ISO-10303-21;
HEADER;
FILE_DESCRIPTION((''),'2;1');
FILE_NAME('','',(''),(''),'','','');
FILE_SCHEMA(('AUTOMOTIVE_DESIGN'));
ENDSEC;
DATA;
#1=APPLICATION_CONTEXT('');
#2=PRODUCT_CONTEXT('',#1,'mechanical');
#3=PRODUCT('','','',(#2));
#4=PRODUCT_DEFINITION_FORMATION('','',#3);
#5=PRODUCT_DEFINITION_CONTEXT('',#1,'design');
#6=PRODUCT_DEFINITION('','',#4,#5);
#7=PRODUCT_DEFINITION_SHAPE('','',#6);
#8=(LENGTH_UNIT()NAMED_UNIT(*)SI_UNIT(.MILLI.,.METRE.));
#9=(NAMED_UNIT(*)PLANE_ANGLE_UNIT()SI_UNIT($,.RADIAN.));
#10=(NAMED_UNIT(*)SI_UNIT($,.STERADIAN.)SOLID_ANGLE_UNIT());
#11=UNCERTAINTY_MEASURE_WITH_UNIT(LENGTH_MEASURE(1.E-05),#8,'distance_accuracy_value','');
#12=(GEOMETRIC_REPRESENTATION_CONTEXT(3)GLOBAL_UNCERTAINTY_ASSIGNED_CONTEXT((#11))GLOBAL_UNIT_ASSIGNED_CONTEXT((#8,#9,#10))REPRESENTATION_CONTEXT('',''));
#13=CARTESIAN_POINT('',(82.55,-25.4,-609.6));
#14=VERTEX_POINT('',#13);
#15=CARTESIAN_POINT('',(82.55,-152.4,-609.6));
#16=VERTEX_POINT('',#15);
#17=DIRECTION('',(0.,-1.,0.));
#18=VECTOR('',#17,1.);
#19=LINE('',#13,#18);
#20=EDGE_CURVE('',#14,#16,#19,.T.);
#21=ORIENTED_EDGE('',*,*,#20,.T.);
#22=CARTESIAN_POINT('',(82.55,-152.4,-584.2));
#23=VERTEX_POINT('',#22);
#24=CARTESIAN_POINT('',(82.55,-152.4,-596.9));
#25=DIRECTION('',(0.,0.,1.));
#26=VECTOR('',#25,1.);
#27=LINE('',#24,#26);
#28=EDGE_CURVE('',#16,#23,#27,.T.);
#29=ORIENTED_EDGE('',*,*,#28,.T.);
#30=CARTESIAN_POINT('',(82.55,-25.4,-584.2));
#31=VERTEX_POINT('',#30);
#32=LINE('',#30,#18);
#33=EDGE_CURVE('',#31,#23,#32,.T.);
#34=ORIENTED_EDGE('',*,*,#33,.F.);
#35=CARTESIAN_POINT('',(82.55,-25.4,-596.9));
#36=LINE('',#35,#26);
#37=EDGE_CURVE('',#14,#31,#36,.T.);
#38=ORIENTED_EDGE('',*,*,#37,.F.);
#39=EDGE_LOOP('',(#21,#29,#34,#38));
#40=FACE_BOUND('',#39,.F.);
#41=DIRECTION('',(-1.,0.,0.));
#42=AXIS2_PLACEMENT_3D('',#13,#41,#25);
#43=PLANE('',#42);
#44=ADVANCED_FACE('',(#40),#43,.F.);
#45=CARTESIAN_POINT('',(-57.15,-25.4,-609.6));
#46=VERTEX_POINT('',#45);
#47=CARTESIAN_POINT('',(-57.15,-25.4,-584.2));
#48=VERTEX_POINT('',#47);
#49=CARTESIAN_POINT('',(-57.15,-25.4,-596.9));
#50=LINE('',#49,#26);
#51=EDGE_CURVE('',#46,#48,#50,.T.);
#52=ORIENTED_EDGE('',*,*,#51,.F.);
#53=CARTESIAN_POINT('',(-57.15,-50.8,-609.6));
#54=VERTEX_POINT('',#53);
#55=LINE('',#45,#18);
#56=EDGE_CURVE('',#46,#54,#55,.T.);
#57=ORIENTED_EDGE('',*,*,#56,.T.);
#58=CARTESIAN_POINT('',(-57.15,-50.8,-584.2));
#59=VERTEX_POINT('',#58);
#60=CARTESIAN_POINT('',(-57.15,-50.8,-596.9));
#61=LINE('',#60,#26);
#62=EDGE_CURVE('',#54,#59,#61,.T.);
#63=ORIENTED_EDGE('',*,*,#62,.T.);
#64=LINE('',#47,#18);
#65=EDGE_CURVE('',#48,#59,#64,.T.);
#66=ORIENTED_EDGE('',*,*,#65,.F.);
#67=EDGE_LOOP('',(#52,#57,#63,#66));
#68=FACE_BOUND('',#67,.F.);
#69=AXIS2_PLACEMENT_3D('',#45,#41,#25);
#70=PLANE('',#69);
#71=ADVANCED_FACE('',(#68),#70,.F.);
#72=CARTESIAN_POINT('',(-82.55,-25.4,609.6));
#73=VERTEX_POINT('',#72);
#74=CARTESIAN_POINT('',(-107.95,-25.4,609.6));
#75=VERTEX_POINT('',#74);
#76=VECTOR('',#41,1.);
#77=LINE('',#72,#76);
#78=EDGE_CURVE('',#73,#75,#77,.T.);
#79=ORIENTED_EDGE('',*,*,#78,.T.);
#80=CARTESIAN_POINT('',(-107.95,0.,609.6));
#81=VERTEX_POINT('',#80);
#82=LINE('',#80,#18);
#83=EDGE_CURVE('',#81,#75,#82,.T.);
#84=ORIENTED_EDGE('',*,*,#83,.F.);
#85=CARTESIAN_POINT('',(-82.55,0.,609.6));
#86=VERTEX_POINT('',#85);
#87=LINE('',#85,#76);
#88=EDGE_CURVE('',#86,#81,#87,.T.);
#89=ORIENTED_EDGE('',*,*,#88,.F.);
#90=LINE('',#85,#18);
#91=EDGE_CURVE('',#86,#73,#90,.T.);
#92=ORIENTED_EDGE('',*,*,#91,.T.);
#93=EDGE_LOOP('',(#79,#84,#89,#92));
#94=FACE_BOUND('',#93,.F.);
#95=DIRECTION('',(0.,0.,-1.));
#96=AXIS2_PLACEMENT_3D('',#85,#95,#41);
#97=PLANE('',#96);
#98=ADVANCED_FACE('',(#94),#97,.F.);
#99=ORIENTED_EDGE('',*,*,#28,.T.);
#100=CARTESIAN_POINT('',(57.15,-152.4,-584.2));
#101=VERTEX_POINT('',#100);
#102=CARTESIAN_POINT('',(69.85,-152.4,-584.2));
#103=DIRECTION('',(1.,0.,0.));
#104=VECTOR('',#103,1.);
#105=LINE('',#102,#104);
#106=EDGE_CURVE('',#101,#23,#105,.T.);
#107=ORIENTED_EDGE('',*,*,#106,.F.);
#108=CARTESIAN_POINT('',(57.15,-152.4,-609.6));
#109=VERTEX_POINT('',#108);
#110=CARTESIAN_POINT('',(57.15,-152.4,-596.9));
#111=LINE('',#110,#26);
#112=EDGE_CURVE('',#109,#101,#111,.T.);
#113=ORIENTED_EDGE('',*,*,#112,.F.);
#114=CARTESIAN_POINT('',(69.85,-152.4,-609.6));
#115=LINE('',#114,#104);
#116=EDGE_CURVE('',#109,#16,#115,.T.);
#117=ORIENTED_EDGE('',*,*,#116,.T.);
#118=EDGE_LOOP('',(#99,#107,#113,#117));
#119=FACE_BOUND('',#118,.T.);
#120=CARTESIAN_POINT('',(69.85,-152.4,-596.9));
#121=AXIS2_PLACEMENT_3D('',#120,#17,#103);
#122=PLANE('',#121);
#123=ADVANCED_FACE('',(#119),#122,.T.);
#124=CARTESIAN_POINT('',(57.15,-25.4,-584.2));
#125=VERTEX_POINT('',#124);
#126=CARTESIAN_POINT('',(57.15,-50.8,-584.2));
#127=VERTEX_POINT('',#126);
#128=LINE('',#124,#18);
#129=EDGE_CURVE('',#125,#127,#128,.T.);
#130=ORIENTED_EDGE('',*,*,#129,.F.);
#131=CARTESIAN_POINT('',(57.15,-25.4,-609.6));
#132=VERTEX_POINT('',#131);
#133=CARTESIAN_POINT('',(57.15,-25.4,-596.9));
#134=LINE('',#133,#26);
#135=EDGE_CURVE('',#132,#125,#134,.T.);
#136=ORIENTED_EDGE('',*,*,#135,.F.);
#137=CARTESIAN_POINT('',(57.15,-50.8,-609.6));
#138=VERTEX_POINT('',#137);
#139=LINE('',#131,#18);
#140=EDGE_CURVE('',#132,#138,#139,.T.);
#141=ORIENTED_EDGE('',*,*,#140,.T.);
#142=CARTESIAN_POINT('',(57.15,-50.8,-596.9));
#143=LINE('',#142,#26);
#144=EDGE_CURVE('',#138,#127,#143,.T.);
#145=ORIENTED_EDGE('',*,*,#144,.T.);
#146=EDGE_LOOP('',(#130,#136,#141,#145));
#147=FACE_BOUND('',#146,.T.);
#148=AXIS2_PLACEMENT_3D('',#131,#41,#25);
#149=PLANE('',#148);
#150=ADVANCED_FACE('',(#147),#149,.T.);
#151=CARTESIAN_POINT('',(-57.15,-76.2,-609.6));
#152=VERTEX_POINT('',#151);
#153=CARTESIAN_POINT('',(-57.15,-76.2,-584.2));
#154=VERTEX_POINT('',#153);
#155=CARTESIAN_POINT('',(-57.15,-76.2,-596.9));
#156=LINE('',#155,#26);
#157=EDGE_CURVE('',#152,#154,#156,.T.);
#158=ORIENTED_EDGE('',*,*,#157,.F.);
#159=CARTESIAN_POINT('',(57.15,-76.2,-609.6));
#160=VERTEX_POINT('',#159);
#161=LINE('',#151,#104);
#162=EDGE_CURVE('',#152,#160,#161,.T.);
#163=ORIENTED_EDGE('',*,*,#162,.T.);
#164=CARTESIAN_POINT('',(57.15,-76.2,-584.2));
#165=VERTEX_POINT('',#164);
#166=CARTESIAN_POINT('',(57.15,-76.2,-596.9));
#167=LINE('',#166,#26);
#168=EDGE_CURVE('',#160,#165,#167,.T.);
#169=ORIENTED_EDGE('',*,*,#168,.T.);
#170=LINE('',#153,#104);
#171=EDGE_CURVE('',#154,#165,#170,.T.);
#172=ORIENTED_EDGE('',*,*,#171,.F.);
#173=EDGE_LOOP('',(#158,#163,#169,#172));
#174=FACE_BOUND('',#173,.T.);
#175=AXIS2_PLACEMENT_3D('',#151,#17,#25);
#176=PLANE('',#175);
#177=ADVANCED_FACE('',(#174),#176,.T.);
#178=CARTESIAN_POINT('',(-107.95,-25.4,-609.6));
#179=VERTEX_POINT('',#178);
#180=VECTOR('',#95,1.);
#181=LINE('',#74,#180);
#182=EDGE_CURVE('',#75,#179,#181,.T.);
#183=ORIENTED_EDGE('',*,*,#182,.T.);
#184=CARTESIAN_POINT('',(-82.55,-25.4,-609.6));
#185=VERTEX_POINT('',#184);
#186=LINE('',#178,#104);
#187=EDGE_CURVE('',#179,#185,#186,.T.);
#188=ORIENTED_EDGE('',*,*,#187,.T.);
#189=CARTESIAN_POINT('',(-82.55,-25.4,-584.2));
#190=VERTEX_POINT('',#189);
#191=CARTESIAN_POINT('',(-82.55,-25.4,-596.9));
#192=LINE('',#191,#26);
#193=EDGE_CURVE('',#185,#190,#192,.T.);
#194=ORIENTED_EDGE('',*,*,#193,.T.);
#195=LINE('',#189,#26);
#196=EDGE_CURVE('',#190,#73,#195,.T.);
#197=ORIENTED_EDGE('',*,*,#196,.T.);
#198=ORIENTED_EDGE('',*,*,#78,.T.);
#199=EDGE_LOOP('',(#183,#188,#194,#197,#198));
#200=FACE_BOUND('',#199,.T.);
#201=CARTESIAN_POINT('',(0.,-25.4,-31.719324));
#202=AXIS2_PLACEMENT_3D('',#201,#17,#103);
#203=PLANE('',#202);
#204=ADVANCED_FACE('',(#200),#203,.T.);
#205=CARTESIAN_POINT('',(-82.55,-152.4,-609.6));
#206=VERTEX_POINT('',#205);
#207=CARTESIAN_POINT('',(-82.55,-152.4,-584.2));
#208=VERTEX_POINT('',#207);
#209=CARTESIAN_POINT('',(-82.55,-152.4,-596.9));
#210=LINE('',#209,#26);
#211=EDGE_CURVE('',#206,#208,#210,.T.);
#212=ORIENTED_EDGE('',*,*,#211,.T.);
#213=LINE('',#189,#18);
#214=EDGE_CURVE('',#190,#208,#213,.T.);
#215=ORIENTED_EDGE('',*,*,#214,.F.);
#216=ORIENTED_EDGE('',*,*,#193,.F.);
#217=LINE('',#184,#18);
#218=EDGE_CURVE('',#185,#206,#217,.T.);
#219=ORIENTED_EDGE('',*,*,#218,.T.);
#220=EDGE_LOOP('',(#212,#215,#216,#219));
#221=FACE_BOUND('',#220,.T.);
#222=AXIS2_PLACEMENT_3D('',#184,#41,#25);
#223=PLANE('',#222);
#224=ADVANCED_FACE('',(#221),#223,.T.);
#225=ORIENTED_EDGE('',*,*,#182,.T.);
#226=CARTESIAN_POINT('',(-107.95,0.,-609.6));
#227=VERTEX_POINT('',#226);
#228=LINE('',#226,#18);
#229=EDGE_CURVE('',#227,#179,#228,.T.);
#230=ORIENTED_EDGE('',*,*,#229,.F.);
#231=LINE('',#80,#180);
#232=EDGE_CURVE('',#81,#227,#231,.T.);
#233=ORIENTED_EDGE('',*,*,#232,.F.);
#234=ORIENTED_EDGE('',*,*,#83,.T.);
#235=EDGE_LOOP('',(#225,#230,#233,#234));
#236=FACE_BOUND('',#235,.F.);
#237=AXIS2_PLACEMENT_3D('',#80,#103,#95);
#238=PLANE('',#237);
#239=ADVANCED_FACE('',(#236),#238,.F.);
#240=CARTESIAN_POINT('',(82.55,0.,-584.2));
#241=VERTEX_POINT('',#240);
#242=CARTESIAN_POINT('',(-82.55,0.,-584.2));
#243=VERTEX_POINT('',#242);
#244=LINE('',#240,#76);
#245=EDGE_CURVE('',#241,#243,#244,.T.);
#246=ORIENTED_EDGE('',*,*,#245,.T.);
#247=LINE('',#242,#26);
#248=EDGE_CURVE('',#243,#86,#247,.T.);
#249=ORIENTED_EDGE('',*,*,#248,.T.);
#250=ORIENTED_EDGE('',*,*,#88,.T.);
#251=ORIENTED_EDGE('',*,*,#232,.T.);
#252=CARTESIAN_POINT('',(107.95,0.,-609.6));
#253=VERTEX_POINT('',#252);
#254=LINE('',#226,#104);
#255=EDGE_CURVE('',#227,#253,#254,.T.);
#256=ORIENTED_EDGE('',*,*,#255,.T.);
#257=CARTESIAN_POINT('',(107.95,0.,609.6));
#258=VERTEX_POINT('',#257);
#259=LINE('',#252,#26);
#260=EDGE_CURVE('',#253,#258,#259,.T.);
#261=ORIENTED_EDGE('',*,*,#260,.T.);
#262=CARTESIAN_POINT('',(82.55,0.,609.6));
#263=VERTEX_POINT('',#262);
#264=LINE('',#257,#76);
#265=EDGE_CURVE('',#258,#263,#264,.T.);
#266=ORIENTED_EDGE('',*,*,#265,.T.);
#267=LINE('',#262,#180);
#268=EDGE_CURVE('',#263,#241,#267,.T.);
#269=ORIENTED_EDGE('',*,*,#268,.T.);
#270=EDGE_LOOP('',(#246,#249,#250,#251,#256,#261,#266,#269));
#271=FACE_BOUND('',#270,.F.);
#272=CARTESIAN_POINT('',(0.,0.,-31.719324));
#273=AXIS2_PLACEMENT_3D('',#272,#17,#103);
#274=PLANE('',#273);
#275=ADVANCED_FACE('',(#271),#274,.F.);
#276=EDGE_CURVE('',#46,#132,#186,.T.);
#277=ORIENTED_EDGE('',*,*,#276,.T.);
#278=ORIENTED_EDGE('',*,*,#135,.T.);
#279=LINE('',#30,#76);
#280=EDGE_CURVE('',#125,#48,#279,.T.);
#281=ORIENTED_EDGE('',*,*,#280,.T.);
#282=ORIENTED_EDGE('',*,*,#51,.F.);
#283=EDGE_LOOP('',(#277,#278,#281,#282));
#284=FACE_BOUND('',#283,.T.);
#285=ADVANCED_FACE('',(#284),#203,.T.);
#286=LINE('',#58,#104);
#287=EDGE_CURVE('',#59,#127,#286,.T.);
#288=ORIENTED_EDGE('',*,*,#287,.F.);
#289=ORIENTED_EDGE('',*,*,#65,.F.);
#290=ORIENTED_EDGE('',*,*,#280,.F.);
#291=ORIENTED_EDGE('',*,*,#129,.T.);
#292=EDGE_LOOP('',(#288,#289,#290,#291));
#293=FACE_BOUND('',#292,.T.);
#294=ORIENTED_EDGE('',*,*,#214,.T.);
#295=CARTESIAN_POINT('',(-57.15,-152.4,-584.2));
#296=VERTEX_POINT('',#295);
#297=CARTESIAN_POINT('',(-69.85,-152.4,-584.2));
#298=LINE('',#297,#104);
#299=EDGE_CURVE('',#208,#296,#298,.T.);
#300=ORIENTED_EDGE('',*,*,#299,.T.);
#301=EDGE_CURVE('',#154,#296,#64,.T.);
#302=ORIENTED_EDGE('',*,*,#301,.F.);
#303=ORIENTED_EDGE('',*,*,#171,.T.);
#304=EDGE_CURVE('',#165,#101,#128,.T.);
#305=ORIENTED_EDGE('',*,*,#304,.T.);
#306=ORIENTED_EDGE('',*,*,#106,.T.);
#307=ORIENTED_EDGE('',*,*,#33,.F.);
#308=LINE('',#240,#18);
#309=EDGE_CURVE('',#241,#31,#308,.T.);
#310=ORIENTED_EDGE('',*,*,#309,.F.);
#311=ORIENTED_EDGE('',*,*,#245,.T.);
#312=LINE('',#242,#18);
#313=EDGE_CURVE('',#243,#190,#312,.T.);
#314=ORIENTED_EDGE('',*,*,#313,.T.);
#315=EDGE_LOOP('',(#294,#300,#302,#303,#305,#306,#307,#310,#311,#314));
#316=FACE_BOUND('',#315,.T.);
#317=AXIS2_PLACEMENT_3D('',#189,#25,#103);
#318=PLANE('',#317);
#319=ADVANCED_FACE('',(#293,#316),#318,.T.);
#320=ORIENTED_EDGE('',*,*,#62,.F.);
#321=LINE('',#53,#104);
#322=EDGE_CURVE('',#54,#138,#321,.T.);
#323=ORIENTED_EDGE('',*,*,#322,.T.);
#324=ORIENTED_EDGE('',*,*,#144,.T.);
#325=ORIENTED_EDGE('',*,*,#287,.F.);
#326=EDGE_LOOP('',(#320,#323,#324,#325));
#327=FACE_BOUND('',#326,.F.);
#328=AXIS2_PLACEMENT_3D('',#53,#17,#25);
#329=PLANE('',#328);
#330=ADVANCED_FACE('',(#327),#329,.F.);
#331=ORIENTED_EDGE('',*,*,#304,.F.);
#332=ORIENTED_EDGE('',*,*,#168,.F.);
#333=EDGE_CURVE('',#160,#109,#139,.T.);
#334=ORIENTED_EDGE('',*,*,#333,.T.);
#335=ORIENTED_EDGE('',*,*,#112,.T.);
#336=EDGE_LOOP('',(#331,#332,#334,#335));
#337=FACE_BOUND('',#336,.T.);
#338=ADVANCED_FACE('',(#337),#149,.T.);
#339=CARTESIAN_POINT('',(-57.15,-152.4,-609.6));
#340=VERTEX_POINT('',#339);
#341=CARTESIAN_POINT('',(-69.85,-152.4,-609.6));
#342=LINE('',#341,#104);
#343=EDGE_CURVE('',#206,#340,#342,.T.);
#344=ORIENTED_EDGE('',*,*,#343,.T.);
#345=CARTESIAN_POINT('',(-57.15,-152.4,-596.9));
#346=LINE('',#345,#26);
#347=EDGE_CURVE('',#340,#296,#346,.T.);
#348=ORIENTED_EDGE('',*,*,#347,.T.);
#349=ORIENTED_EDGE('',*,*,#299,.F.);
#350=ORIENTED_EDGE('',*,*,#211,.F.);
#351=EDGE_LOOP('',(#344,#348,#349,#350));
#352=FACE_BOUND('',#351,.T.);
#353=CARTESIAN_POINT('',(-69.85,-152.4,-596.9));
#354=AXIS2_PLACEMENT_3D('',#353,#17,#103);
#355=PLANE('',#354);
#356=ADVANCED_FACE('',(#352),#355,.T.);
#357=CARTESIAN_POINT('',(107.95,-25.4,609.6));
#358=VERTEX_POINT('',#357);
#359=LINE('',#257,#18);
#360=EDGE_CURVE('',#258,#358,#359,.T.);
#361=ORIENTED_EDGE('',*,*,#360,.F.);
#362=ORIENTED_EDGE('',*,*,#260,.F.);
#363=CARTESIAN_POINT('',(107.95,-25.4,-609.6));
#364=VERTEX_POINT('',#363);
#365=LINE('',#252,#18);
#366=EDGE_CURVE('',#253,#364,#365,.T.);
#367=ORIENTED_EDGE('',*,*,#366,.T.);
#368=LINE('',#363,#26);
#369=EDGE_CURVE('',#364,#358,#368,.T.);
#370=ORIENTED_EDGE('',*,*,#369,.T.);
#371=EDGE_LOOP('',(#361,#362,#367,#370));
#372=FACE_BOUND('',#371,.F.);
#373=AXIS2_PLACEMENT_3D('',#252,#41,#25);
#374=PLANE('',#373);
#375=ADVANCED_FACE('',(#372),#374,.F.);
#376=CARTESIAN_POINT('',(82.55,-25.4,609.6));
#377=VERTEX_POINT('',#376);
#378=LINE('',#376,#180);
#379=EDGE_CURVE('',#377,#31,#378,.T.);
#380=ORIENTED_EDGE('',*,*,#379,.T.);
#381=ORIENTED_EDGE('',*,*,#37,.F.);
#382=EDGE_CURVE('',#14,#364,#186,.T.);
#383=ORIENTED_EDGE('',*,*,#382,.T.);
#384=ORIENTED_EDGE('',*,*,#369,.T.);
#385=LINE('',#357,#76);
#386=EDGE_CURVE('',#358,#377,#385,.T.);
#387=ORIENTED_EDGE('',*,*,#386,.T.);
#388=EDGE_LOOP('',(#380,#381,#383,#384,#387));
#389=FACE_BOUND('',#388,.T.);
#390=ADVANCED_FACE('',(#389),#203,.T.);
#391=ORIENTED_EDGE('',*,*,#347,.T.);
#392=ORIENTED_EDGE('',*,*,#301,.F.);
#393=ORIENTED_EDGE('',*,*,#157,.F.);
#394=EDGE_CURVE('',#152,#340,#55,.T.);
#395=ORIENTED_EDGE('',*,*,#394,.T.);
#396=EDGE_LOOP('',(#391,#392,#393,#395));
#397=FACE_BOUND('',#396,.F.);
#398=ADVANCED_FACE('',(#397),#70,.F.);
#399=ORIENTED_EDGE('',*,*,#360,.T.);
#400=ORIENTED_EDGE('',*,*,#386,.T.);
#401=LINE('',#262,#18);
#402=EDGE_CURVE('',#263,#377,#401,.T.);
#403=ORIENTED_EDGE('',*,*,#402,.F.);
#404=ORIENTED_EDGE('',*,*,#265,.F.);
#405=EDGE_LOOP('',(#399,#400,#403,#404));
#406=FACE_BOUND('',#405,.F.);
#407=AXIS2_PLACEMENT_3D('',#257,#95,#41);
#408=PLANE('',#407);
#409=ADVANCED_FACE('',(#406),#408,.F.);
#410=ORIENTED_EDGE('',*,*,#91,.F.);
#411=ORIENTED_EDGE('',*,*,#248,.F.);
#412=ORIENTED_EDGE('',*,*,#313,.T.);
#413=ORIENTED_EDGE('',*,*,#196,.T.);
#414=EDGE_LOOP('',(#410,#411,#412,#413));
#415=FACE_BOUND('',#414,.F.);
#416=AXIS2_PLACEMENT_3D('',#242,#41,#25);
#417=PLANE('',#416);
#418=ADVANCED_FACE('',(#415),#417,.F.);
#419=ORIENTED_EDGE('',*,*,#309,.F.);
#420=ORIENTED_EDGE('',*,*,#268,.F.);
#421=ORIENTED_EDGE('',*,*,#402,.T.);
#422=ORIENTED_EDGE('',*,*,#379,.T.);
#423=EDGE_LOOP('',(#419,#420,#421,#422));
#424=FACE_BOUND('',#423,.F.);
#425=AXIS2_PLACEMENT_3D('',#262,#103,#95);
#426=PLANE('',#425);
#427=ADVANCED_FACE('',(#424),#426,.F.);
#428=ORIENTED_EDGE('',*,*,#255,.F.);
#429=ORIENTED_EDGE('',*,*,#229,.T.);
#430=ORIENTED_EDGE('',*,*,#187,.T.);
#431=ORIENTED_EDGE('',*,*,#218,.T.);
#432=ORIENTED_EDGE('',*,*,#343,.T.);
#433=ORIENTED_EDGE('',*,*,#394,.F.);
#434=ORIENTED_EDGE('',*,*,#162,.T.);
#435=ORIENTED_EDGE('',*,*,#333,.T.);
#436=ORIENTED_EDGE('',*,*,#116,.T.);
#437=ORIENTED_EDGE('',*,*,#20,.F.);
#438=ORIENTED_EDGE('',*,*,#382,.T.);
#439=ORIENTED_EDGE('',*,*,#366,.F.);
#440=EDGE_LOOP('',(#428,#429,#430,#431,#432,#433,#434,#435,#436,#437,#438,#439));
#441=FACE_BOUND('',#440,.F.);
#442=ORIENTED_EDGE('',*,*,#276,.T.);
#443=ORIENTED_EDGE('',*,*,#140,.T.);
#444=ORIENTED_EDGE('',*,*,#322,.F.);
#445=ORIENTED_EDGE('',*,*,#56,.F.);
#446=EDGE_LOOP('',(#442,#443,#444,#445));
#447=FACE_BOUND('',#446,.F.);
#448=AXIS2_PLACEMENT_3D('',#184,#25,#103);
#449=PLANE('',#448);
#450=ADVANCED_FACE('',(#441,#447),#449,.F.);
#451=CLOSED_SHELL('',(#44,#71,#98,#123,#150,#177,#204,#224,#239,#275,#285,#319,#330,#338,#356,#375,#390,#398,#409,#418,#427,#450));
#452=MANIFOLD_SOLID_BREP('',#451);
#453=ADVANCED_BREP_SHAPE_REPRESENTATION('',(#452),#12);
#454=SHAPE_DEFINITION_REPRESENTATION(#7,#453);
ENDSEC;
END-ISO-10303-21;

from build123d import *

# Parameters (mm, degrees)
F1_DEPTH = 25.4
F2_W     = 25.4
F2_H     = 25.4
F3_DEPTH = 127
F4_W     = 25.4
F4_H     = 25.4
F5_DEPTH = 114.3


with BuildPart() as f1:
    # F0 (on Front) → F1 (new body)
    with BuildSketch(Plane.XZ):
        Polygon((107.95, -584.2), (107.95, 609.6), (82.55, 609.6), (82.55, -584.2), (-82.55, -584.2), (-82.55, 609.6), (-107.95, 609.6), (-107.95, -584.2), (-107.95, -609.6), (-82.55, -609.6), (82.55, -609.6), (107.95, -609.6), align=None)
    extrude(amount=F1_DEPTH)

    # F2 (on face) → F3 (join)
    with BuildSketch(Plane.XZ.offset(25.4)):
        with Locations((-69.85, -596.9)):
            Rectangle(F2_W, F2_H)
        with Locations((69.85, -596.9)):
            Rectangle(F2_W, F2_H)
    extrude(amount=F3_DEPTH)

    # F4 (on face) → F5 (join)
    with BuildSketch(Plane.YZ.offset(-57.15)):
        with Locations((-63.5, -596.9)):
            Rectangle(F4_W, F4_H)
    extrude(amount=F5_DEPTH)


solid = f1.part
